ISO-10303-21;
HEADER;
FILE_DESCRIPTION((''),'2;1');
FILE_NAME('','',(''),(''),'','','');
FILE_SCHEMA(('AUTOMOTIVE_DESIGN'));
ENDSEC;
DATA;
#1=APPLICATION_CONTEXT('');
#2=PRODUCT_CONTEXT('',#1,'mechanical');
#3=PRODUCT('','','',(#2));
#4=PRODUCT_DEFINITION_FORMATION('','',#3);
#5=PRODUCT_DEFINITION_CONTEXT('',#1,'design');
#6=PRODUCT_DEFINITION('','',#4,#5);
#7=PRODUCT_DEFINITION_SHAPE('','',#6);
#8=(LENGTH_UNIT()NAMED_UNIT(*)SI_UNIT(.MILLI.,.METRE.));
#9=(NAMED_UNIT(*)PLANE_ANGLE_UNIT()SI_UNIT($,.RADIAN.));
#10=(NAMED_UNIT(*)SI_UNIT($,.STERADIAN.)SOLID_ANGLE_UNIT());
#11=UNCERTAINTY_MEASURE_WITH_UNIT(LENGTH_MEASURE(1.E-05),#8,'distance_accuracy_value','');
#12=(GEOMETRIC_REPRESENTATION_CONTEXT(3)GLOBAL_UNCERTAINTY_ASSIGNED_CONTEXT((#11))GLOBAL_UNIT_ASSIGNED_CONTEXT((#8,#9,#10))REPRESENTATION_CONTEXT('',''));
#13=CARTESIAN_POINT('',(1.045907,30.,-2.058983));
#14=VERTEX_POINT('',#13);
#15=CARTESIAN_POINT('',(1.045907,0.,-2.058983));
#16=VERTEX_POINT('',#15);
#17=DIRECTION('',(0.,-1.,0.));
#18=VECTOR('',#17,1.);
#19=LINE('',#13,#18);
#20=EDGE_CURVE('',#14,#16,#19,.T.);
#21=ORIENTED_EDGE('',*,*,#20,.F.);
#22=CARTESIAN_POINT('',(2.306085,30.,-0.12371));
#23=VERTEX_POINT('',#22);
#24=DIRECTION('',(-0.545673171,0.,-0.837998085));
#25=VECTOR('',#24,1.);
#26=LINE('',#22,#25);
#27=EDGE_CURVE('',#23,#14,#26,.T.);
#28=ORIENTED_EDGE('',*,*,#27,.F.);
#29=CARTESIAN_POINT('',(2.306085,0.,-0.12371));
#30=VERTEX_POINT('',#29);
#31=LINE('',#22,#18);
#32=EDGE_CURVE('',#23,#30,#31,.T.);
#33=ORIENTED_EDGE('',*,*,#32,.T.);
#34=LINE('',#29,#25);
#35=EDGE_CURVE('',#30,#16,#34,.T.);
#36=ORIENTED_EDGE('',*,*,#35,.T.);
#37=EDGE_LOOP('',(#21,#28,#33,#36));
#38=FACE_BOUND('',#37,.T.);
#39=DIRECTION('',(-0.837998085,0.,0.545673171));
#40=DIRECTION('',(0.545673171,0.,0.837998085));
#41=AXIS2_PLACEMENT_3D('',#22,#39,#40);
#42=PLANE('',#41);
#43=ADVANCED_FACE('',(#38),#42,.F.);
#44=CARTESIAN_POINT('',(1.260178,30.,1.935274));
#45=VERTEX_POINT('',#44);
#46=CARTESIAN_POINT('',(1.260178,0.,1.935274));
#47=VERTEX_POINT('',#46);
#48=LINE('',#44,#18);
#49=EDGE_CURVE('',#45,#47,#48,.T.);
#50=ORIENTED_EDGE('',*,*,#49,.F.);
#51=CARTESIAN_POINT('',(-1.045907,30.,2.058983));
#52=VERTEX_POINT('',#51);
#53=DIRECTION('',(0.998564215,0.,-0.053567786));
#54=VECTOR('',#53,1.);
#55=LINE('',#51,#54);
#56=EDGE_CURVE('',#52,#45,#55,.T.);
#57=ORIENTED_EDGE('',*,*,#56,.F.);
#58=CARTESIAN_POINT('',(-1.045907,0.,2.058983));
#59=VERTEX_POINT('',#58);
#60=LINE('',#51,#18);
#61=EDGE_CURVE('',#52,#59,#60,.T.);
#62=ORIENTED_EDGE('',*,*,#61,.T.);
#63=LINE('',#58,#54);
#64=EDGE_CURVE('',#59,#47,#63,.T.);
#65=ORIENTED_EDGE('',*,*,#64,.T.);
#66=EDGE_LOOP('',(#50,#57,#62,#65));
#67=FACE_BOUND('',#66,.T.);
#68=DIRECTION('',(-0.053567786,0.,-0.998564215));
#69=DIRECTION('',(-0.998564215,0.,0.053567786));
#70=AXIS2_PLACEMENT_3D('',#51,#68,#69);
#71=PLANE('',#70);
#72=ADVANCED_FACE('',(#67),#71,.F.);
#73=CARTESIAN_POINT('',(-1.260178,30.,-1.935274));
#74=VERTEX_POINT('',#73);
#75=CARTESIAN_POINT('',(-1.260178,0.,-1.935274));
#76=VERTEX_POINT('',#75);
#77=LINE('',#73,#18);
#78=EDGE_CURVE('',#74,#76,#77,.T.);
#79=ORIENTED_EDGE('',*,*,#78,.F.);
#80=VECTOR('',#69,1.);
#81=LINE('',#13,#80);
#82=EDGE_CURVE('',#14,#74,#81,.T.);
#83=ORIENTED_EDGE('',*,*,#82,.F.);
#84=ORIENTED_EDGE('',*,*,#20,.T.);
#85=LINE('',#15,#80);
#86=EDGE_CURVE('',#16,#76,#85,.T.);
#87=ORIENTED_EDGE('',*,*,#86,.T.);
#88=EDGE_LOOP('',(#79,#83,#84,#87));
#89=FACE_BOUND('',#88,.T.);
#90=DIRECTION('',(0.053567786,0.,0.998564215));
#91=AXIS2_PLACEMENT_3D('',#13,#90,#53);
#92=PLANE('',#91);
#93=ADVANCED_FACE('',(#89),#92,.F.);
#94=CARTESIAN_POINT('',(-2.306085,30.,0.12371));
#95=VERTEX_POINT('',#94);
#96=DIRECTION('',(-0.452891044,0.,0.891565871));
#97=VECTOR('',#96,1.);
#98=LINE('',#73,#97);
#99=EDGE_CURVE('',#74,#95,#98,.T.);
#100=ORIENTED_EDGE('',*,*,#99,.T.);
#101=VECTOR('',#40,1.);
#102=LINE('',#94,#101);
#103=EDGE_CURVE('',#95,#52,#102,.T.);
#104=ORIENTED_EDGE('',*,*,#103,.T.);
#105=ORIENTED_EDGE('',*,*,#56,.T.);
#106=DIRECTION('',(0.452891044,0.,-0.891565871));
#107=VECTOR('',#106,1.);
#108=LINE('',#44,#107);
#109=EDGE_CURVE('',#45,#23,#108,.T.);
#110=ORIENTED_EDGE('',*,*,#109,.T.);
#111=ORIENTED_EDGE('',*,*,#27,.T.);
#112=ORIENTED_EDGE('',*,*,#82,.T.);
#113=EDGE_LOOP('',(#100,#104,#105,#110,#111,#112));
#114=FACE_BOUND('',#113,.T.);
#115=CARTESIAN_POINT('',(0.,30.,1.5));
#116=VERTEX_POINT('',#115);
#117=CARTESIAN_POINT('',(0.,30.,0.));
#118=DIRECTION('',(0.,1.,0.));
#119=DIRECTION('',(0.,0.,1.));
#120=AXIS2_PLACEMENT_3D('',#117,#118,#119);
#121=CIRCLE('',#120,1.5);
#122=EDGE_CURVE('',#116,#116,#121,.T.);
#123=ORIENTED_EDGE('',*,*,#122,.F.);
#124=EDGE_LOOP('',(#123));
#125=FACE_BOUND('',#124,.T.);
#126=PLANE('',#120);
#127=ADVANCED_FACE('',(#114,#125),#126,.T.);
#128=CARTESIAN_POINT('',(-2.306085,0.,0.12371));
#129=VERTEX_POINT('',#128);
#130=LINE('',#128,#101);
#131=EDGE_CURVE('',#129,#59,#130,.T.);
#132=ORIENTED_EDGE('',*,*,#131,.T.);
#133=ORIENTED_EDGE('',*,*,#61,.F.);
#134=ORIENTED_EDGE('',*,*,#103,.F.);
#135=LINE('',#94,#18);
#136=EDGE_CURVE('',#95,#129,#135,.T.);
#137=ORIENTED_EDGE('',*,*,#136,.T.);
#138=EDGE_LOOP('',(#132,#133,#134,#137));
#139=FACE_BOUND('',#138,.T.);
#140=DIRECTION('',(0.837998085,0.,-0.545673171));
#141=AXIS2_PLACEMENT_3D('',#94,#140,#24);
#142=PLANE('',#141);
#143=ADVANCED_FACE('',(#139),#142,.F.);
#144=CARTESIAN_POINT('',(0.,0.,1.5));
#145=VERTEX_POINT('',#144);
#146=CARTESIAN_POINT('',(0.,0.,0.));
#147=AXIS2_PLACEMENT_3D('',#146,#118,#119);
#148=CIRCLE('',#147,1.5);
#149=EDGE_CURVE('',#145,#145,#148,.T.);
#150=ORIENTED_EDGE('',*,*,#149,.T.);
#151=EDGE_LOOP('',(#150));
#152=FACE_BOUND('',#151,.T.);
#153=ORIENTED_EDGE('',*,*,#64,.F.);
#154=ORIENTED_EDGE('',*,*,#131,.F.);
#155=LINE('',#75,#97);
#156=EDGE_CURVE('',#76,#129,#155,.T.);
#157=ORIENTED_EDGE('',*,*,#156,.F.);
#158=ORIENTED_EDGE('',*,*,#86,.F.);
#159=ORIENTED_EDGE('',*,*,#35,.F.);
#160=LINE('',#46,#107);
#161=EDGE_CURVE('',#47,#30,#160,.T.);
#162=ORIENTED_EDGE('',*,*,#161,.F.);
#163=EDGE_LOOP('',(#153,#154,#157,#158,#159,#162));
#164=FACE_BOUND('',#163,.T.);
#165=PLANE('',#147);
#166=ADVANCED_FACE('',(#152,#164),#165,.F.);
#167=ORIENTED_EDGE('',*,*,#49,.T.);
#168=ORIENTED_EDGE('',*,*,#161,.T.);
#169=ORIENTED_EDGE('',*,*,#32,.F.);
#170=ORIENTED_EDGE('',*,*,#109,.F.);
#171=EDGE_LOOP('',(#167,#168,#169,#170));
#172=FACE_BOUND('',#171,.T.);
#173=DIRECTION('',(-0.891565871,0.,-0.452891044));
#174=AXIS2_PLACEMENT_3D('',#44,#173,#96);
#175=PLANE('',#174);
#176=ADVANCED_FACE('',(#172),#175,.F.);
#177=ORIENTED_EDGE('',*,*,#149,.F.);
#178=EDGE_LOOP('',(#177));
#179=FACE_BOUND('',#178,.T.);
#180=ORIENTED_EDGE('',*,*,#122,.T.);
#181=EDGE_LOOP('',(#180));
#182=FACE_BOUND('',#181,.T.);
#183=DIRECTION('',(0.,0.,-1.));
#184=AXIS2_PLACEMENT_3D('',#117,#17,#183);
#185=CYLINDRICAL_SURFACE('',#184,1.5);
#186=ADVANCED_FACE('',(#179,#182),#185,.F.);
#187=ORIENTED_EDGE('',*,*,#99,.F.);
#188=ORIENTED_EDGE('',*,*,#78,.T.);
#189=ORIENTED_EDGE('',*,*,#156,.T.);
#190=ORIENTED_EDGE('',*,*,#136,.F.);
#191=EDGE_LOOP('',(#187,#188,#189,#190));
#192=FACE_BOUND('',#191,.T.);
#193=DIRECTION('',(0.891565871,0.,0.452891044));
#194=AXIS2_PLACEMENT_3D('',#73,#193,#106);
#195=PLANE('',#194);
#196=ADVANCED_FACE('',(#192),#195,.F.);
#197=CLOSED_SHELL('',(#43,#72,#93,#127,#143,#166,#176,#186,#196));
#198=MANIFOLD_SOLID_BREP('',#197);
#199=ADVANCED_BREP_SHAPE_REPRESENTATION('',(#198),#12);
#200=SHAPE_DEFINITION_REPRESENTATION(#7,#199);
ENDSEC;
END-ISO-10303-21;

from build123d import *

# Parameters (mm, degrees)
SKETCH1_R           = 1.5
BOSS_EXTRUDE1_DEPTH = 30


with BuildPart() as part:
    # Sketch1 → Boss-Extrude1 (new body)
    with BuildSketch(Plane(origin=(0, 0, 0), x_dir=(1, 0, 0), z_dir=(0, 1, 0))):
        Polygon((-1.26017821, 1.935273679), (-2.306085274, -0.123709503), (-1.045907065, -2.058983182), (1.26017821, -1.935273679), (2.306085274, 0.123709503), (1.045907065, 2.058983182), align=None)
        Circle(SKETCH1_R, mode=Mode.SUBTRACT)
    extrude(amount=BOSS_EXTRUDE1_DEPTH)


solid = part.part
